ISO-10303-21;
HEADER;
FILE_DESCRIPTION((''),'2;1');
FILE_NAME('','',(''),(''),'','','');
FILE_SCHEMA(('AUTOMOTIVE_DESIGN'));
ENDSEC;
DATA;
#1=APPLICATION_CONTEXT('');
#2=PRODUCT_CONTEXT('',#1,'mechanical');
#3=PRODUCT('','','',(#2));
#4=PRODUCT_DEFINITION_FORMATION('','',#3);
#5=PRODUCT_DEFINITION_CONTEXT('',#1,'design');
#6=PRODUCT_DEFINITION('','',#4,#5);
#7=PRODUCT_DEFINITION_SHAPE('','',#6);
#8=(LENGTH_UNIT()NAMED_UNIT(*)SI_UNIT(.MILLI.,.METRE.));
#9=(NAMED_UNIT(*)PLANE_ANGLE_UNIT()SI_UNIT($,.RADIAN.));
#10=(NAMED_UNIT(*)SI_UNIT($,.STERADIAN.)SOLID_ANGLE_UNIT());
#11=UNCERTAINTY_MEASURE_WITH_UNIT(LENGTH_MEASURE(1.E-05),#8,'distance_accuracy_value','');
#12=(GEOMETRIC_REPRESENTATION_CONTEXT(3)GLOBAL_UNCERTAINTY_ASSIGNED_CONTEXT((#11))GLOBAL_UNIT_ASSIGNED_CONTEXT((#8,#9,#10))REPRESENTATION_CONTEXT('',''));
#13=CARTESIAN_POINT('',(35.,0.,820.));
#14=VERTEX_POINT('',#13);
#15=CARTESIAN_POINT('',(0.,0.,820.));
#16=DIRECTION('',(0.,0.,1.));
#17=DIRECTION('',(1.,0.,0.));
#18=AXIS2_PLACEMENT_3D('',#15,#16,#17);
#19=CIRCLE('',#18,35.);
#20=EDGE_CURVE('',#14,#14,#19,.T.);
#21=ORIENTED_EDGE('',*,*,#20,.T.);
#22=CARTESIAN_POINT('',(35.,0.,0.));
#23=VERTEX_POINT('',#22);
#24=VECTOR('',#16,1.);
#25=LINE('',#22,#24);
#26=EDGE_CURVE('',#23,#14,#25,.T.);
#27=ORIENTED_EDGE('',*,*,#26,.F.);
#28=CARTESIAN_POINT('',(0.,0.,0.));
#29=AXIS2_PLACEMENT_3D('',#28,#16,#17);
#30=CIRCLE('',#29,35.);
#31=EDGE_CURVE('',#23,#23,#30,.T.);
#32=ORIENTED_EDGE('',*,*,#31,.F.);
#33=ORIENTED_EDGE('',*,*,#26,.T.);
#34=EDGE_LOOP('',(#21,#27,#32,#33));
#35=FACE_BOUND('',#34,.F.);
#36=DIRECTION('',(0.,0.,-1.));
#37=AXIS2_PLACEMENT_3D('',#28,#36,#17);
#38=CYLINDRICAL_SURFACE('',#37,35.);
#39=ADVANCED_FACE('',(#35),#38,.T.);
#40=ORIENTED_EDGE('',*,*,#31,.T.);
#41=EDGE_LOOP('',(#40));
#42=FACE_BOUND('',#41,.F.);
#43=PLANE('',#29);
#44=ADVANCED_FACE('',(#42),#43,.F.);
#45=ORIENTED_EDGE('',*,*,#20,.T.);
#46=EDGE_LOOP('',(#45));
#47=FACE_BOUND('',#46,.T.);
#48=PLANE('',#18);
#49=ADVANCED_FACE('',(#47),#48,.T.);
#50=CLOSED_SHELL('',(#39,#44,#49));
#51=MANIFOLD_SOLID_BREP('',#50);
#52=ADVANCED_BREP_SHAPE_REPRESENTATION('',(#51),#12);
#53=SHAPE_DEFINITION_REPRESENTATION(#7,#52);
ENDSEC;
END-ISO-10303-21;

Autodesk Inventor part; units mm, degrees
ref_plane "YZ Plane" through (0, 0, 0) normal (1, 0, 0) x (0, 1, 0)
ref_plane "XZ Plane" through (0, 0, 0) normal (0, 1, 0) x (-1, 0, 0)
ref_plane "XY Plane" through (0, 0, 0) normal (0, 0, 1) x (1, 0, 0)
sketch "Sketch1" plane through (0, 0, 0) normal (0, 0, 1) x (1, 0, 0)
  circle A0 centre (0, 0) radius 35
  dimension "d0" = 70
extrude "Extrusion1" add sketch "Sketch1" along normal blind 820
properties part number "eje"
